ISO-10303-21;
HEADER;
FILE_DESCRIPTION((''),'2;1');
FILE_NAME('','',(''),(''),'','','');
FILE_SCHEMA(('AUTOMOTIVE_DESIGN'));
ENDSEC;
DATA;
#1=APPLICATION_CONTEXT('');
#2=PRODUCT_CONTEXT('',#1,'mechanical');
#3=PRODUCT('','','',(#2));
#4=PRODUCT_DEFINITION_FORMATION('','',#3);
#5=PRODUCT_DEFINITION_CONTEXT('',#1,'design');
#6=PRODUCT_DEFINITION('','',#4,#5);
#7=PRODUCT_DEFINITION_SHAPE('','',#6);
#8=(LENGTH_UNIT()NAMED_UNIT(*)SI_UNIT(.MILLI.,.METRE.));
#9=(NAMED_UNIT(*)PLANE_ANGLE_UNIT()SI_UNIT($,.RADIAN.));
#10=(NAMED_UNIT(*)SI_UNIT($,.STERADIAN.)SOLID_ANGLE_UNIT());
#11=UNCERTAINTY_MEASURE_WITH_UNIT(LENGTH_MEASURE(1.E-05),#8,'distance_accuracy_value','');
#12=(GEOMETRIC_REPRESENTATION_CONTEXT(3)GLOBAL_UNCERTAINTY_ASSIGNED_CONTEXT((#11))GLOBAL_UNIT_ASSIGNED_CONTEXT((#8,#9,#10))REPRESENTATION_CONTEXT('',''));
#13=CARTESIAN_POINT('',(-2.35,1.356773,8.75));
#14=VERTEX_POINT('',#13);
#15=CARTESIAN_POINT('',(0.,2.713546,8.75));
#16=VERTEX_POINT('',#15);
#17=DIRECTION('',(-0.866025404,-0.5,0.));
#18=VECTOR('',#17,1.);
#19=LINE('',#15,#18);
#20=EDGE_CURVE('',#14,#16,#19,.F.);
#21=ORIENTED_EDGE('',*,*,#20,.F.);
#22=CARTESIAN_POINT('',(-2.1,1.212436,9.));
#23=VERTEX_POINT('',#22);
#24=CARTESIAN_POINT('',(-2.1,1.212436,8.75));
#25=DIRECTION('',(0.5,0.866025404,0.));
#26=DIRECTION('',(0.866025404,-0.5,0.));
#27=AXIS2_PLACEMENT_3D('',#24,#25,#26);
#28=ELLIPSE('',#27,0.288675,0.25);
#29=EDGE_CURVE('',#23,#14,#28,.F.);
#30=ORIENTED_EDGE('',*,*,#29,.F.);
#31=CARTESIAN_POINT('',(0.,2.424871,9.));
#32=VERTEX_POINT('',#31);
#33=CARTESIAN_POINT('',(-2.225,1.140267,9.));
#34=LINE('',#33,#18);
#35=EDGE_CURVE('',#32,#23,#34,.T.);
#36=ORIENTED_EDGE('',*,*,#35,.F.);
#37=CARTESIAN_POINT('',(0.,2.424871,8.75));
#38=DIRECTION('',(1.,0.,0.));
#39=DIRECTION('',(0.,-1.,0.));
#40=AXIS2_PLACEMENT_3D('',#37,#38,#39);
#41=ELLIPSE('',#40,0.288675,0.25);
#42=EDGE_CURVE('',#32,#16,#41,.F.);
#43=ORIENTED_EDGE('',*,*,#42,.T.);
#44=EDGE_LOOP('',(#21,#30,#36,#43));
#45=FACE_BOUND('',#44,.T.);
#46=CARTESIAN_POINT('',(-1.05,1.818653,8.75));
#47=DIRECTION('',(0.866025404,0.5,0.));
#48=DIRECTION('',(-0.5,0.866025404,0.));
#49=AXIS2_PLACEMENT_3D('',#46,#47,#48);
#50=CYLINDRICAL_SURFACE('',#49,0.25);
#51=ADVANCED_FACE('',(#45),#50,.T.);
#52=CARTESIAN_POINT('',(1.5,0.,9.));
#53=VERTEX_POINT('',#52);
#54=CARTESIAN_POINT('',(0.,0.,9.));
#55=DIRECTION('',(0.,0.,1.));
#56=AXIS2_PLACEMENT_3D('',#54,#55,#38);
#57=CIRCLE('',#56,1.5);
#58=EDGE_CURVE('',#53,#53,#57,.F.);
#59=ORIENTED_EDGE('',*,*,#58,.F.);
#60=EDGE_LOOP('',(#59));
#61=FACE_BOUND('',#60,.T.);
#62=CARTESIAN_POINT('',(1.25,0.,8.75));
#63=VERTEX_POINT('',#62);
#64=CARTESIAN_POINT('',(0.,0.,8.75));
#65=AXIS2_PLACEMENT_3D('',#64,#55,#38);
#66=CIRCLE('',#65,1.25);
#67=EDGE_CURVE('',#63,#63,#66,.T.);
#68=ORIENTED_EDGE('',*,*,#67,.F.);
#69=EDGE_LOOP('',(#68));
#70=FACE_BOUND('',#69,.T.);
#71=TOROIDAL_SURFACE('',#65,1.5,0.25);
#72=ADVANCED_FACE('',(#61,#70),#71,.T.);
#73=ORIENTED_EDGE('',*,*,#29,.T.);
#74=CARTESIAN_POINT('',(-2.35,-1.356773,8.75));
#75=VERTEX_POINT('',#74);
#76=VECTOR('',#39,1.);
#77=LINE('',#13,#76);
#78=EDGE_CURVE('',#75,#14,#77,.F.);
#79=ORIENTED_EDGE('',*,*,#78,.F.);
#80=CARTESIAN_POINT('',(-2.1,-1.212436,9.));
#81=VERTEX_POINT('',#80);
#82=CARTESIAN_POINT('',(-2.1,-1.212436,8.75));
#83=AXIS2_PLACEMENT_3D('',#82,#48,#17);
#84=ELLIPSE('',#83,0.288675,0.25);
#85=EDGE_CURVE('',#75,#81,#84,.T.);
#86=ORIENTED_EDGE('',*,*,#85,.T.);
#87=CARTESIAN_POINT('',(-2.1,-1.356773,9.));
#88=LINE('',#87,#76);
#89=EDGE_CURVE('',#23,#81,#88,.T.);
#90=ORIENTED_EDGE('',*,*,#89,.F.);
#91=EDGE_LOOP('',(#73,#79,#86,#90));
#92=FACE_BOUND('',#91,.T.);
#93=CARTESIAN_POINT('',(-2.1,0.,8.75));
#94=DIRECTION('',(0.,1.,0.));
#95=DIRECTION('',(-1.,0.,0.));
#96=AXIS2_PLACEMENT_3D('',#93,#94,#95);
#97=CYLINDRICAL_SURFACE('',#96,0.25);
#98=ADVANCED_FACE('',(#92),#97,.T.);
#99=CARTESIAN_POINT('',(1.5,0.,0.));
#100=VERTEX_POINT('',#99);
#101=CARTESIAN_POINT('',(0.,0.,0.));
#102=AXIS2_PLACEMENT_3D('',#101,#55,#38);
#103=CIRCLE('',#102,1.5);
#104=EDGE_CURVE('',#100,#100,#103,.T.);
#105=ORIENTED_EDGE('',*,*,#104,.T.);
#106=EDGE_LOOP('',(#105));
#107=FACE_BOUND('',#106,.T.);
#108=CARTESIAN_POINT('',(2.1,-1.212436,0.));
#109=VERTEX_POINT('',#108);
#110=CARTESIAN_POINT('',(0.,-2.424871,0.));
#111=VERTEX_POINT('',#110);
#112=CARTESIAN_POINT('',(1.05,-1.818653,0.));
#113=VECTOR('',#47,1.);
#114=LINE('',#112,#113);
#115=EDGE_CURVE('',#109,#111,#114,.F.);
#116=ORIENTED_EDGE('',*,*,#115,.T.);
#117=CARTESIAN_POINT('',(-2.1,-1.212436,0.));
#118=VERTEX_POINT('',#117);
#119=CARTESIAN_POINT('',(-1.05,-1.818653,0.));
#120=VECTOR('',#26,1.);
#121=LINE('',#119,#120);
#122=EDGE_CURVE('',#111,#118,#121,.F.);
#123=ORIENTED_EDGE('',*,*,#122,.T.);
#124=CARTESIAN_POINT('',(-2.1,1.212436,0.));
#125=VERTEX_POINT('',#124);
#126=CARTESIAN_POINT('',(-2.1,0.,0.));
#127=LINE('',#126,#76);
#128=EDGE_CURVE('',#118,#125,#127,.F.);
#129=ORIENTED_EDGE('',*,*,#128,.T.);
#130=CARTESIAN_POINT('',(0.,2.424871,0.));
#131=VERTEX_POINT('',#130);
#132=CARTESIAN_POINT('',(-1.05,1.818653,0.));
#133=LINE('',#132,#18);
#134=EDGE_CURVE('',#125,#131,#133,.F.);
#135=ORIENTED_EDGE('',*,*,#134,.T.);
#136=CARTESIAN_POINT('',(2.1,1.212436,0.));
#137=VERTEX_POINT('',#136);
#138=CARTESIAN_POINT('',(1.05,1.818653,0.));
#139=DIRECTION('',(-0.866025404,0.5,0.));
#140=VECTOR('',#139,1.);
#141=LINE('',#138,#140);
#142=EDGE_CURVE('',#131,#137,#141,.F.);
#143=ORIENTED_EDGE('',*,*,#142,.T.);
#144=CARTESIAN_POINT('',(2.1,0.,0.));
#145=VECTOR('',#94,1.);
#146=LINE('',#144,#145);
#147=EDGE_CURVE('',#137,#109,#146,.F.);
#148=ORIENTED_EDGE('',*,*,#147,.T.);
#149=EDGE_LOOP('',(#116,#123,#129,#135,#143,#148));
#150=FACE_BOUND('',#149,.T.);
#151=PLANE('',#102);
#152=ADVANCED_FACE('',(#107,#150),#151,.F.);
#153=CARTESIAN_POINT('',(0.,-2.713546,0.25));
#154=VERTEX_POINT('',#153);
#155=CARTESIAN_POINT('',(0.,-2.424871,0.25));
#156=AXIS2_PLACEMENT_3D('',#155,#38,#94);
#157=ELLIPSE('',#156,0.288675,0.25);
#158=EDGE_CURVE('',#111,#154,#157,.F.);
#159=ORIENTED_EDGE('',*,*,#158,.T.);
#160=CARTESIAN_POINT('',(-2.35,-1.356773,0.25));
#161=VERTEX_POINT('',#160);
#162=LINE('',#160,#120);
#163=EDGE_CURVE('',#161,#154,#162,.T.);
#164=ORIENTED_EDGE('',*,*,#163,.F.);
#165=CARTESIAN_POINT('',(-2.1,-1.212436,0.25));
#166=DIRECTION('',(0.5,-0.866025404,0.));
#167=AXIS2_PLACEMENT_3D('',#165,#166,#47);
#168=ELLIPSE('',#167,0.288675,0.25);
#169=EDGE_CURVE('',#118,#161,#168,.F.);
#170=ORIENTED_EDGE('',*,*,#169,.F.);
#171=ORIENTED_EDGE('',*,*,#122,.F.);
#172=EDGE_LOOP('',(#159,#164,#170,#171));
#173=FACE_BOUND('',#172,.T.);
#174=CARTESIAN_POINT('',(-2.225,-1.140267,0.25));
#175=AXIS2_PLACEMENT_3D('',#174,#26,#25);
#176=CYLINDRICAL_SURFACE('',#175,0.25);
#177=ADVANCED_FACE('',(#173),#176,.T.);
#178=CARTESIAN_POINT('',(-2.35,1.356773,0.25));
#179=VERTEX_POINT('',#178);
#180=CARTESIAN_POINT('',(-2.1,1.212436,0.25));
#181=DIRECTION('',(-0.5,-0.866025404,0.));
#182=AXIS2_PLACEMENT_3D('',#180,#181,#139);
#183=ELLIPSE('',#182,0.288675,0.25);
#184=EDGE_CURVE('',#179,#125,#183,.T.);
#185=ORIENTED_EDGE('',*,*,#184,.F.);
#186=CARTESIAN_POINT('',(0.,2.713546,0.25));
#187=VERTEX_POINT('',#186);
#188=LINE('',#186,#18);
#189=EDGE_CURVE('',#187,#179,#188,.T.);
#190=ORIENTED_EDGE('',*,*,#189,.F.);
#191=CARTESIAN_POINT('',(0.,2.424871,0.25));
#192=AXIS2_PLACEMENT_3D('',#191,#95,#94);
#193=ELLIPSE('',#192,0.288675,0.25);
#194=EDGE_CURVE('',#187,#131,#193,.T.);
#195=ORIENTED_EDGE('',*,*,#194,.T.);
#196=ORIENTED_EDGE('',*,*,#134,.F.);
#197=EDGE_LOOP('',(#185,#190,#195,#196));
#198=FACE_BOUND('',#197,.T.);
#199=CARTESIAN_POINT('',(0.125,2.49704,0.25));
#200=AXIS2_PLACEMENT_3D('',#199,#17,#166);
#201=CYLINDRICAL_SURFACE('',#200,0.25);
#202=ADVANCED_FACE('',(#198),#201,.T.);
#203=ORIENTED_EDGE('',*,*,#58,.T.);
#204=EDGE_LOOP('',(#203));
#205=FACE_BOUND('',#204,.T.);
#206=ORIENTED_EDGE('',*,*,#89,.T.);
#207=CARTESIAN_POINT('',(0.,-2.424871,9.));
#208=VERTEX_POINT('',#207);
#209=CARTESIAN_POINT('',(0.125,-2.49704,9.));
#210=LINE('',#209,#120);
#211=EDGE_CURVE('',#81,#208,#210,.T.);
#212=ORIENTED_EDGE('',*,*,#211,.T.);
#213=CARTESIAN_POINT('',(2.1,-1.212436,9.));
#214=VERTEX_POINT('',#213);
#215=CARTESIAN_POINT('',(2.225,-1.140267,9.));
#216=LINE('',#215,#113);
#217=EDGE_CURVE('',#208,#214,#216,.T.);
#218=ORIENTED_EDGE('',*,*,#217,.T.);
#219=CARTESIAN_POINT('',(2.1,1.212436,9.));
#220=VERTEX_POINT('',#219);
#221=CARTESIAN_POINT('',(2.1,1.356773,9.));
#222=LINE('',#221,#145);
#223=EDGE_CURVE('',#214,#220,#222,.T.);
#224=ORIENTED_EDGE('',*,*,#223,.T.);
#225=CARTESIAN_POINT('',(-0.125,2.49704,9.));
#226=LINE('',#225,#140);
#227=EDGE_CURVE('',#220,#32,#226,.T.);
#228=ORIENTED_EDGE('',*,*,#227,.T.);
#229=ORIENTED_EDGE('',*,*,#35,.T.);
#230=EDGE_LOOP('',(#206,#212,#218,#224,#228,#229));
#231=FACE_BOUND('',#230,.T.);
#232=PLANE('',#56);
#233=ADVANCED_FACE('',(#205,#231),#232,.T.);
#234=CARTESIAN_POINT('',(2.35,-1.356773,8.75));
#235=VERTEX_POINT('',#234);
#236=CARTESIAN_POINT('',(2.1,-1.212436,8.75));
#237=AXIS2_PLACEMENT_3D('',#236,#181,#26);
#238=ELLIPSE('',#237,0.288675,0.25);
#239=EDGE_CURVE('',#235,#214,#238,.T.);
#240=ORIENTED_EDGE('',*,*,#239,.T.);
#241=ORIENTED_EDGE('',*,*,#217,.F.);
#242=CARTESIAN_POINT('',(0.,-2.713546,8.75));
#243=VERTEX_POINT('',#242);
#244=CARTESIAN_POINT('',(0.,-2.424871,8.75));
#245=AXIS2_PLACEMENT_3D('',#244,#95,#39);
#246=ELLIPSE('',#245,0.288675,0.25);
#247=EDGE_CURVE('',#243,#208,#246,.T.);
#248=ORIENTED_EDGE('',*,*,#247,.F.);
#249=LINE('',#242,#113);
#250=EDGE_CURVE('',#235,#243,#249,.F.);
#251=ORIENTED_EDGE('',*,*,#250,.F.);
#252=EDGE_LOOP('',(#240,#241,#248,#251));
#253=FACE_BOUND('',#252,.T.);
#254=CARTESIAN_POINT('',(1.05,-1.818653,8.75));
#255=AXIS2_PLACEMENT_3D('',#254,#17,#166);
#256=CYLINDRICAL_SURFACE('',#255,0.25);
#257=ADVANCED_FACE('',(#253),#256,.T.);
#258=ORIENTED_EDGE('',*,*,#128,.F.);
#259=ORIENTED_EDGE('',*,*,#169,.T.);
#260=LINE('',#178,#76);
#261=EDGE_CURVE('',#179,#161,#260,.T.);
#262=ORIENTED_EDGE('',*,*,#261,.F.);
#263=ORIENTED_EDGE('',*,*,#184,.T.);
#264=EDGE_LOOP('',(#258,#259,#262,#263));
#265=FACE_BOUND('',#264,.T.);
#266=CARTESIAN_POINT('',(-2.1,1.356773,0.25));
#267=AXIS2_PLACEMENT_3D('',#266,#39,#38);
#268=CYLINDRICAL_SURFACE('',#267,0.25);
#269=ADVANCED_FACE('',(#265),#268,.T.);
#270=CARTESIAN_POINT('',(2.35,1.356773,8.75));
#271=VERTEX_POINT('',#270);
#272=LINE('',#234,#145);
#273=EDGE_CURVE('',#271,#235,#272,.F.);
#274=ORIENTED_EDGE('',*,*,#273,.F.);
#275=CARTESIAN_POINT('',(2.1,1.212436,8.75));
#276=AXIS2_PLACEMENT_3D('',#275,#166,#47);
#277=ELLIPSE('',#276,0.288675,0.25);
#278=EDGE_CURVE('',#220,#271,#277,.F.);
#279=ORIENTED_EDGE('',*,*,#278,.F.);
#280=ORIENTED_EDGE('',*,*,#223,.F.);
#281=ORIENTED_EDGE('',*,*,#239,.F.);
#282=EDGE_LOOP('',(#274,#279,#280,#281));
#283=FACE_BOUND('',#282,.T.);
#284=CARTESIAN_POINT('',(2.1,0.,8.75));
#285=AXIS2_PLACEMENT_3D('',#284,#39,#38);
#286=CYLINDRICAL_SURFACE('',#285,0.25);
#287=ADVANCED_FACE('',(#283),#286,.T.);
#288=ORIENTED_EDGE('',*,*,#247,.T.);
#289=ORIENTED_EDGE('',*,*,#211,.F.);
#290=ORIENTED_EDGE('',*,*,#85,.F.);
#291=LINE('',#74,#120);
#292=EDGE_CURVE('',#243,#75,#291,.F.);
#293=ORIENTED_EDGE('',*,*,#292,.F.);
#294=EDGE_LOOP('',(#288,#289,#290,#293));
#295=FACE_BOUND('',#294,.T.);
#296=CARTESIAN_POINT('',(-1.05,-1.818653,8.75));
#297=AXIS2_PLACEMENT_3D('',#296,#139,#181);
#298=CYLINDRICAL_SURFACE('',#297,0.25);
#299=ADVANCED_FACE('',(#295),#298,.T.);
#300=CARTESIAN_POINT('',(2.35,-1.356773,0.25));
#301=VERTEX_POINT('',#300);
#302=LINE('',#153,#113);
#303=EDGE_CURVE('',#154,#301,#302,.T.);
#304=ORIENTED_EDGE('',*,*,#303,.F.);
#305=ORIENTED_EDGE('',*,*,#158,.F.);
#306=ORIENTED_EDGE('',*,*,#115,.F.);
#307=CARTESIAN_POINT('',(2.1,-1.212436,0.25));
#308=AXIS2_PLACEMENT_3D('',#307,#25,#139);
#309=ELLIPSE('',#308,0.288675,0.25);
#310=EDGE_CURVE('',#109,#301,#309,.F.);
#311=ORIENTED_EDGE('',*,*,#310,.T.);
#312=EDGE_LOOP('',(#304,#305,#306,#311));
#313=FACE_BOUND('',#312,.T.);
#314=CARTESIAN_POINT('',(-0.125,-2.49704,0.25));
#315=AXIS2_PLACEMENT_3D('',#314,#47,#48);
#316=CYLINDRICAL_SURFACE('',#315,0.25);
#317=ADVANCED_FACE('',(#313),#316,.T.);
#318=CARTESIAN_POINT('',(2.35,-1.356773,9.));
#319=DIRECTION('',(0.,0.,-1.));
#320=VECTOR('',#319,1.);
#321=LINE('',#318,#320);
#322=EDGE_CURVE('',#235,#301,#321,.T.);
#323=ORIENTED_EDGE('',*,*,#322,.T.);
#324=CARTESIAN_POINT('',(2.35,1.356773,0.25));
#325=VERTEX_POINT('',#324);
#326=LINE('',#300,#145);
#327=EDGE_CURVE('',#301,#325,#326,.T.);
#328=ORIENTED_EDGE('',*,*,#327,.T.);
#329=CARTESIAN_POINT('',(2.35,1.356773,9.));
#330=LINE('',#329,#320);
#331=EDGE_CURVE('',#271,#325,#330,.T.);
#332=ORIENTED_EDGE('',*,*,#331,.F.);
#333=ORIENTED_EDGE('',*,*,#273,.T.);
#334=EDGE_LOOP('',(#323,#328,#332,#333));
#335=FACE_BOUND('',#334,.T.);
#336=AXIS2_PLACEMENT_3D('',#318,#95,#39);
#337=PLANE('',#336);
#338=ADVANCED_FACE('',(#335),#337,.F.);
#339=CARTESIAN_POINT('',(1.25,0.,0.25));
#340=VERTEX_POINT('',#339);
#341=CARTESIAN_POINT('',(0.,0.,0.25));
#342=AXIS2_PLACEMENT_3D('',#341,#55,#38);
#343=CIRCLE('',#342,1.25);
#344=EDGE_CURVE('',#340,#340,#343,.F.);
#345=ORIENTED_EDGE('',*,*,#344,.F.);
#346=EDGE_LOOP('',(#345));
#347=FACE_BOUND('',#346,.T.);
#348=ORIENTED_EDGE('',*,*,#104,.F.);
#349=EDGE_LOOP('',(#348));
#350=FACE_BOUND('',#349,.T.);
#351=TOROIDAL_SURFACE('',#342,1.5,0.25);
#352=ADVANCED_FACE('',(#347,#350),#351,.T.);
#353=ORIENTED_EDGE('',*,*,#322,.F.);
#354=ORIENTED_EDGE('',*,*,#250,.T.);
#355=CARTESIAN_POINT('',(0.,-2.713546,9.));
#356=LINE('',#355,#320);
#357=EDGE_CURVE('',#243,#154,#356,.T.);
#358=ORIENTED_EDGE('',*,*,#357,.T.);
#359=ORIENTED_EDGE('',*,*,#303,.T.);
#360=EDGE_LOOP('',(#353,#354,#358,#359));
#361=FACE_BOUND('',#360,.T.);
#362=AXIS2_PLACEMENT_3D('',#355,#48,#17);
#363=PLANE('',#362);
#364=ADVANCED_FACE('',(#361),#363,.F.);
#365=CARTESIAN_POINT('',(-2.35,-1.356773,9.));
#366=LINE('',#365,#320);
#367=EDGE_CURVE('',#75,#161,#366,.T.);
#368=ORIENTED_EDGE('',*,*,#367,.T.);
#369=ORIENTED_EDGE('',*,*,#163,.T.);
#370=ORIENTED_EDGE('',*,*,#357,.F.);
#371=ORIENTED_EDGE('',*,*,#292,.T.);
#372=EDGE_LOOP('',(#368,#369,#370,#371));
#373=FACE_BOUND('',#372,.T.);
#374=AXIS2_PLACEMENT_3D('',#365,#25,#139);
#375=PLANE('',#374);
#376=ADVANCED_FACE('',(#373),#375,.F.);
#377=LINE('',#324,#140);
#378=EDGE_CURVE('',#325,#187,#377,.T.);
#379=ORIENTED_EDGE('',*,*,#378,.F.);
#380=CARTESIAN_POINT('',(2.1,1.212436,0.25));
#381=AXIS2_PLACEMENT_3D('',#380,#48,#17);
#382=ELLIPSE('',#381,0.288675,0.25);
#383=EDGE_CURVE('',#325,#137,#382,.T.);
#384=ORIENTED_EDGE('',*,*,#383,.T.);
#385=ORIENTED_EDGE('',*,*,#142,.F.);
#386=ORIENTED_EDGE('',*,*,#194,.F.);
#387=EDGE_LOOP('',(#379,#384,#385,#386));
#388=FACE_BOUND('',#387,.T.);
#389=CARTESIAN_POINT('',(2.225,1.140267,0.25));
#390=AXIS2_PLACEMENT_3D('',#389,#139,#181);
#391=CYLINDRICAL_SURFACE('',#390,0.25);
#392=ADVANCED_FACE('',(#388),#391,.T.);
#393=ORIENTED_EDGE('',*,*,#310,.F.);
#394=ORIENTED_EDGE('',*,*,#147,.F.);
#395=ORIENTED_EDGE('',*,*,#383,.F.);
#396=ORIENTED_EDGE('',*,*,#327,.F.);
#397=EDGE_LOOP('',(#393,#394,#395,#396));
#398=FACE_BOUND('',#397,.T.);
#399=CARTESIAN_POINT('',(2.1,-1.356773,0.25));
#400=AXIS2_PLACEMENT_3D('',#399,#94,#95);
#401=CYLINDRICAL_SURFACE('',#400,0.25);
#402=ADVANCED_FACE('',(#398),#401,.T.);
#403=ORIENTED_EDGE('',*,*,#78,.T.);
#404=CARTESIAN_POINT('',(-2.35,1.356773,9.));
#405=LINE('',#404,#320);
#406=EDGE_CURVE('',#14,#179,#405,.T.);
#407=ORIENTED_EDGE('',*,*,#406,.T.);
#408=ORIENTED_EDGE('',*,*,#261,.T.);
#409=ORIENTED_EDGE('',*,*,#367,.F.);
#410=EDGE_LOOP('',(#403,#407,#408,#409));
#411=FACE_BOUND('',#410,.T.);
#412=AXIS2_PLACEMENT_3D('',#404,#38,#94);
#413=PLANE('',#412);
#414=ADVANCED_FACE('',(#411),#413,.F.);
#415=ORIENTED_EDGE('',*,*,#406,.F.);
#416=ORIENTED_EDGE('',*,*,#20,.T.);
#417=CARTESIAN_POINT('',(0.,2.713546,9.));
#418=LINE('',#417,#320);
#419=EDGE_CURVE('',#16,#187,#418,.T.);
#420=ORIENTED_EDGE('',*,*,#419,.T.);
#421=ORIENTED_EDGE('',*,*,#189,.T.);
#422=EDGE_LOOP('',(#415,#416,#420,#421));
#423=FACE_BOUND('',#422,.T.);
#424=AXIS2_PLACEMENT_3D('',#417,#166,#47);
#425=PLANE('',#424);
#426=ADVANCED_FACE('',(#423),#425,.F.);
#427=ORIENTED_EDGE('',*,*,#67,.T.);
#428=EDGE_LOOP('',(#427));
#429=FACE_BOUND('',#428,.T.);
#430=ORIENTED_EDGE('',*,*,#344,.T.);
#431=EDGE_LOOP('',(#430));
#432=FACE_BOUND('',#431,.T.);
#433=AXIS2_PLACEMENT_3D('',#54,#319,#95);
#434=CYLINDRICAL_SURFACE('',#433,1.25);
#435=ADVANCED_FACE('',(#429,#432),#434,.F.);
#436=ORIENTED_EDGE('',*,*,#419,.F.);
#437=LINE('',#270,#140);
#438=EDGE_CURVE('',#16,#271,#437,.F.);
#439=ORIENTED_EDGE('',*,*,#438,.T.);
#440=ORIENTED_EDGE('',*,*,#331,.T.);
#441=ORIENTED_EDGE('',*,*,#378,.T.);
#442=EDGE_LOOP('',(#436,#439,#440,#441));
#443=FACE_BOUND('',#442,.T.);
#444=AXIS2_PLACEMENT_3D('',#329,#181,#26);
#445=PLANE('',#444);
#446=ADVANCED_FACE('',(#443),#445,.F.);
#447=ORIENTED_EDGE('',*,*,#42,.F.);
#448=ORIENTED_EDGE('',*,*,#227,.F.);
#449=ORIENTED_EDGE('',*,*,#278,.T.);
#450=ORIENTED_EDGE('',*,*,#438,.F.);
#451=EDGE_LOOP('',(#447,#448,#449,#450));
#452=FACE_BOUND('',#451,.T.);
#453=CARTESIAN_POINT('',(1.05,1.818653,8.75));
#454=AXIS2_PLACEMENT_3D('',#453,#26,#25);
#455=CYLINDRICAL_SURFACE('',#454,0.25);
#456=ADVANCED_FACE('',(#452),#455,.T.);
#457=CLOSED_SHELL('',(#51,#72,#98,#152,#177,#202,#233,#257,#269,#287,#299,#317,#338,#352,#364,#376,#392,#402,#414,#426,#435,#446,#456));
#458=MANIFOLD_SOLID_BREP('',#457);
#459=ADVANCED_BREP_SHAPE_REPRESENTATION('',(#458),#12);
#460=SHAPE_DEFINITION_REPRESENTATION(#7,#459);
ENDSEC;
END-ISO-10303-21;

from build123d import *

# Parameters (mm, degrees)
CROQUIS1_R              = 1.25
SALIENTE_EXTRUIR1_DEPTH = 9
REDONDEO1_R             = 0.25
REDONDEO2_R             = 0.25


with BuildPart() as part:
    # Croquis1 → Saliente-Extruir1 (new body)
    with BuildSketch(Plane.XY):
        Polygon((2.35, 1.356773133), (0, 2.713546265), (-2.35, 1.356773133), (-2.35, -1.356773133), (0, -2.713546265), (2.35, -1.356773133), align=None)
        Circle(CROQUIS1_R, mode=Mode.SUBTRACT)
    extrude(amount=SALIENTE_EXTRUIR1_DEPTH)

    # Redondeo1
    redondeo1_edges = [part.edges().sort_by_distance(p)[0] for p in [
        (-1.175, 2.035159699, 9),
        (-2.35, 0, 9),
        (-1.175, -2.035159699, 9),
        (1.175, -2.035159699, 9),
        (2.35, 0, 9),
        (1.175, -2.035159699, 0),
        (-1.175, -2.035159699, 0),
        (-2.35, 0, 0),
        (1.175, 2.035159699, 9),
        (-1.175, 2.035159699, 0),
        (1.175, 2.035159699, 0),
        (2.35, 0, 0),
    ]]
    fillet(redondeo1_edges, radius=REDONDEO1_R)

    # Redondeo2
    redondeo2_edges = [part.edges().sort_by_distance(p)[0] for p in [
        (-1.25, 0, 0),
        (-1.25, 0, 9),
    ]]
    fillet(redondeo2_edges, radius=REDONDEO2_R)


solid = part.part
